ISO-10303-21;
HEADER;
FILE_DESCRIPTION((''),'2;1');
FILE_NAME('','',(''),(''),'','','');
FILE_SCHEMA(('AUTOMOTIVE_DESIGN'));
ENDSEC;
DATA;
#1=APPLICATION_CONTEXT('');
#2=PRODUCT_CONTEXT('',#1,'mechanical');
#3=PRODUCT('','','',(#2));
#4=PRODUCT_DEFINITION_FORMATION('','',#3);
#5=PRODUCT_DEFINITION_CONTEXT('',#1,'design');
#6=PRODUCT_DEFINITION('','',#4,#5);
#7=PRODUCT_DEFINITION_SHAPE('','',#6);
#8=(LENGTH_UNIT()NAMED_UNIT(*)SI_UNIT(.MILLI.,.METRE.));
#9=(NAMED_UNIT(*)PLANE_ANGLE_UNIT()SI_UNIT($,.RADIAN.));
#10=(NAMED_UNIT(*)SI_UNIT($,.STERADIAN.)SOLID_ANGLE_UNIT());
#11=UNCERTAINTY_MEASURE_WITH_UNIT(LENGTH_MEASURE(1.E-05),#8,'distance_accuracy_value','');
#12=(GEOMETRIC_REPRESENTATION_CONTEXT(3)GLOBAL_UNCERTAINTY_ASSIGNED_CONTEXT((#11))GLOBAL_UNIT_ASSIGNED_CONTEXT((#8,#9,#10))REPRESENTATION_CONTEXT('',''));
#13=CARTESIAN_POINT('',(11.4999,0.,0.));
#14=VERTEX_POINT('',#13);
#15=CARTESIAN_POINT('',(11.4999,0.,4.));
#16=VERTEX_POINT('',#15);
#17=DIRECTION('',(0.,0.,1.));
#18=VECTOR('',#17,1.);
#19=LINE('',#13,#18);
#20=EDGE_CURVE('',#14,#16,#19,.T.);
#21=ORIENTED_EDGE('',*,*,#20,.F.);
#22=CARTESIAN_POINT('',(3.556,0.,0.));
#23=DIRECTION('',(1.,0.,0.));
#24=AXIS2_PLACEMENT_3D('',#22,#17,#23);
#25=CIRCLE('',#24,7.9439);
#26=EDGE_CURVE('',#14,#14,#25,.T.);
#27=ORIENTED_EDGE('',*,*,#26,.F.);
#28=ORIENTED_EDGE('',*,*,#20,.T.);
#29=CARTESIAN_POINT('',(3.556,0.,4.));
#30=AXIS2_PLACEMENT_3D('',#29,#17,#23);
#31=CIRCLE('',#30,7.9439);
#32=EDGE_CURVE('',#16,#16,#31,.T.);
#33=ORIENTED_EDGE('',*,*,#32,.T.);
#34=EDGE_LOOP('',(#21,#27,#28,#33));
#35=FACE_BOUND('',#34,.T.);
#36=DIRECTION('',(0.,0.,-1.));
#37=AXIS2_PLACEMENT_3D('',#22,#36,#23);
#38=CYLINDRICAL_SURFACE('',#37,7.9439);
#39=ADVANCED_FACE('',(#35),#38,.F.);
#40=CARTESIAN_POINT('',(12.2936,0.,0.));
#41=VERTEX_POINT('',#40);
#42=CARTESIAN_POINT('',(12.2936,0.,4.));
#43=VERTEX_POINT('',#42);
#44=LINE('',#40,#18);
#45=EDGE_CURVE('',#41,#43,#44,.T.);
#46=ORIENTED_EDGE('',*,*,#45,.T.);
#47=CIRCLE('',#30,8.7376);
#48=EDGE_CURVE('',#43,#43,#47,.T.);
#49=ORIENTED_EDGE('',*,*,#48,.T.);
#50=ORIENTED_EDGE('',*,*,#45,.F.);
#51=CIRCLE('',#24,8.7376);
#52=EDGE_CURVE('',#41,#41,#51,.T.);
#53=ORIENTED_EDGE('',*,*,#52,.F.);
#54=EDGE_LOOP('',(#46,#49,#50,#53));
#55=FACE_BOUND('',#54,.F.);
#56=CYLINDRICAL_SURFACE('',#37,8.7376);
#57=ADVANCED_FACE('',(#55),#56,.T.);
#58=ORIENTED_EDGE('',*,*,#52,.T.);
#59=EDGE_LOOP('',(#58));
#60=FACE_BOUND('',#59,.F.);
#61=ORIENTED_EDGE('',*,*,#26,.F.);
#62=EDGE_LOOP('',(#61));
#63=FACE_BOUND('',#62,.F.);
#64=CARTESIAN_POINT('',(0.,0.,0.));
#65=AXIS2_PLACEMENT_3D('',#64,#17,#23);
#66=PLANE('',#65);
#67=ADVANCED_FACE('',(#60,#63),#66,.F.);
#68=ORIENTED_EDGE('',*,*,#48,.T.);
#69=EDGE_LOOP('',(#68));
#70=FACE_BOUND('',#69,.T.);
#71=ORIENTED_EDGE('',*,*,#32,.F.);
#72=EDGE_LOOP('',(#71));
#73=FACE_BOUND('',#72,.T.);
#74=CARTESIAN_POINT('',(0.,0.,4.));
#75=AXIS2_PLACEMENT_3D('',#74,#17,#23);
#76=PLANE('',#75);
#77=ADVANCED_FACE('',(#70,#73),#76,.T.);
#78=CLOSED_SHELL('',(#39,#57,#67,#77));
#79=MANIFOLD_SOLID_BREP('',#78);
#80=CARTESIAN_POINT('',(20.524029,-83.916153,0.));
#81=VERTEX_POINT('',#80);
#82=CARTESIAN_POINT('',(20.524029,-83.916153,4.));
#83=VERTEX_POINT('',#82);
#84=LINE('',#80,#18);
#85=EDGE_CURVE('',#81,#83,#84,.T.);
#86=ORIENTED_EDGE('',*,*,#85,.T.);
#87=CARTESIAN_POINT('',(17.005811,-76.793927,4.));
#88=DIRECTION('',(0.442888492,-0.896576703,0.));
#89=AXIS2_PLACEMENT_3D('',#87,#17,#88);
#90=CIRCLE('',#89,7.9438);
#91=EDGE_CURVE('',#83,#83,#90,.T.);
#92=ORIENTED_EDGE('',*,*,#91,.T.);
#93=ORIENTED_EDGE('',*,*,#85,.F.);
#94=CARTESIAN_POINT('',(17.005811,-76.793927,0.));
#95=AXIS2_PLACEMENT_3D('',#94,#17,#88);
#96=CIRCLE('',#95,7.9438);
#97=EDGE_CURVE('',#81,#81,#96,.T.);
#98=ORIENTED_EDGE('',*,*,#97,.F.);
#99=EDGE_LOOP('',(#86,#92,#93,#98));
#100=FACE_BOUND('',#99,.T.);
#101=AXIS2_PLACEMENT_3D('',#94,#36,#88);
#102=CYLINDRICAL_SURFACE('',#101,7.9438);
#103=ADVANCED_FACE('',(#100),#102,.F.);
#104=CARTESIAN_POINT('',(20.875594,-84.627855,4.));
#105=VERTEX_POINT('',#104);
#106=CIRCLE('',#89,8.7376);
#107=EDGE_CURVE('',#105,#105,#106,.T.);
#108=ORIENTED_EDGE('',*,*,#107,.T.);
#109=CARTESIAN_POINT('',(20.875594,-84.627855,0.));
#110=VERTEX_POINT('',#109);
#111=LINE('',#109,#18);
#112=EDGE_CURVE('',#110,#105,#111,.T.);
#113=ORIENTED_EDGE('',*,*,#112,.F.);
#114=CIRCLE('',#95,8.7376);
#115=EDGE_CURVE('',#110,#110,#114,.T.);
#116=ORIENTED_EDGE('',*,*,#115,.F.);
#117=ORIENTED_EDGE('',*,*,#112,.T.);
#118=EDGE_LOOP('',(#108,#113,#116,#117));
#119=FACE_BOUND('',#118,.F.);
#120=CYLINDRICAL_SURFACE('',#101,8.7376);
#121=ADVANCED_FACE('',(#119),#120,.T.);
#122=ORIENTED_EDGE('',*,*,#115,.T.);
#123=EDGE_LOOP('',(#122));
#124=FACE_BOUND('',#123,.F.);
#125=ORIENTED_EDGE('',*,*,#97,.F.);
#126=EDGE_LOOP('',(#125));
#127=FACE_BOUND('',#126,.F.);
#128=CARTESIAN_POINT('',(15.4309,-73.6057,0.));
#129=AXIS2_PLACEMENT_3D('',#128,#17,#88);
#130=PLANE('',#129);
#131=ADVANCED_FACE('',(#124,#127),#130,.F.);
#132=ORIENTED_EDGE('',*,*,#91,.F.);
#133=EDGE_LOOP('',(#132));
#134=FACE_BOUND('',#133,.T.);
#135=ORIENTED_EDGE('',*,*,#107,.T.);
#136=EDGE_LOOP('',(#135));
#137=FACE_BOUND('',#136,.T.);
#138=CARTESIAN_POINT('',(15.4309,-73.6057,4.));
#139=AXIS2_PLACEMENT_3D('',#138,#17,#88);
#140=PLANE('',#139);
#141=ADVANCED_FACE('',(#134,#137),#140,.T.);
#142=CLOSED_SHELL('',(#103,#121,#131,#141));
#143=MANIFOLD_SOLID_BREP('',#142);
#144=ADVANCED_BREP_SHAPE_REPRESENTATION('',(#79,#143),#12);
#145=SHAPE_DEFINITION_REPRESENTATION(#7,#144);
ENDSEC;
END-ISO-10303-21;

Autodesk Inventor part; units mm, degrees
ref_plane "YZ Plane" through (0, 0, 0) normal (1, 0, 0) x (0, 1, 0)
ref_plane "XZ Plane" through (0, 0, 0) normal (0, 1, 0) x (-1, 0, 0)
ref_plane "XY Plane" through (0, 0, 0) normal (0, 0, 1) x (1, 0, 0)
sketch "Sketch1" plane through (0, 0, 0) normal (0, 0, 1) x (1, 0, 0)
  circle A0 centre (3.556, 0) radius 8.7376 projected
  circle A1 centre (3.556, 0) radius 7.9439 projected
  point P0 (0, 0)
extrude "Extrusion1" add sketch "Sketch1" along normal blind 4
ref_plane "Work Plane1" through (15.4309, -73.6057, 0) normal (0, 0, 1) x (0.4429, -0.8966, 0)
sketch "Sketch2" plane through (15.4309, -73.6057, 0) normal (0, 0, 1) x (0.4429, -0.8966, 0)
  circle A0 centre (3.556, 0) radius 8.7376 projected
  circle A1 centre (3.556, 0) radius 7.9438 projected
  point P0 (-72.8269, 18.7655)
extrude "Extrusion2" add sketch "Sketch2" along normal blind 4
properties part number "washer connector"
